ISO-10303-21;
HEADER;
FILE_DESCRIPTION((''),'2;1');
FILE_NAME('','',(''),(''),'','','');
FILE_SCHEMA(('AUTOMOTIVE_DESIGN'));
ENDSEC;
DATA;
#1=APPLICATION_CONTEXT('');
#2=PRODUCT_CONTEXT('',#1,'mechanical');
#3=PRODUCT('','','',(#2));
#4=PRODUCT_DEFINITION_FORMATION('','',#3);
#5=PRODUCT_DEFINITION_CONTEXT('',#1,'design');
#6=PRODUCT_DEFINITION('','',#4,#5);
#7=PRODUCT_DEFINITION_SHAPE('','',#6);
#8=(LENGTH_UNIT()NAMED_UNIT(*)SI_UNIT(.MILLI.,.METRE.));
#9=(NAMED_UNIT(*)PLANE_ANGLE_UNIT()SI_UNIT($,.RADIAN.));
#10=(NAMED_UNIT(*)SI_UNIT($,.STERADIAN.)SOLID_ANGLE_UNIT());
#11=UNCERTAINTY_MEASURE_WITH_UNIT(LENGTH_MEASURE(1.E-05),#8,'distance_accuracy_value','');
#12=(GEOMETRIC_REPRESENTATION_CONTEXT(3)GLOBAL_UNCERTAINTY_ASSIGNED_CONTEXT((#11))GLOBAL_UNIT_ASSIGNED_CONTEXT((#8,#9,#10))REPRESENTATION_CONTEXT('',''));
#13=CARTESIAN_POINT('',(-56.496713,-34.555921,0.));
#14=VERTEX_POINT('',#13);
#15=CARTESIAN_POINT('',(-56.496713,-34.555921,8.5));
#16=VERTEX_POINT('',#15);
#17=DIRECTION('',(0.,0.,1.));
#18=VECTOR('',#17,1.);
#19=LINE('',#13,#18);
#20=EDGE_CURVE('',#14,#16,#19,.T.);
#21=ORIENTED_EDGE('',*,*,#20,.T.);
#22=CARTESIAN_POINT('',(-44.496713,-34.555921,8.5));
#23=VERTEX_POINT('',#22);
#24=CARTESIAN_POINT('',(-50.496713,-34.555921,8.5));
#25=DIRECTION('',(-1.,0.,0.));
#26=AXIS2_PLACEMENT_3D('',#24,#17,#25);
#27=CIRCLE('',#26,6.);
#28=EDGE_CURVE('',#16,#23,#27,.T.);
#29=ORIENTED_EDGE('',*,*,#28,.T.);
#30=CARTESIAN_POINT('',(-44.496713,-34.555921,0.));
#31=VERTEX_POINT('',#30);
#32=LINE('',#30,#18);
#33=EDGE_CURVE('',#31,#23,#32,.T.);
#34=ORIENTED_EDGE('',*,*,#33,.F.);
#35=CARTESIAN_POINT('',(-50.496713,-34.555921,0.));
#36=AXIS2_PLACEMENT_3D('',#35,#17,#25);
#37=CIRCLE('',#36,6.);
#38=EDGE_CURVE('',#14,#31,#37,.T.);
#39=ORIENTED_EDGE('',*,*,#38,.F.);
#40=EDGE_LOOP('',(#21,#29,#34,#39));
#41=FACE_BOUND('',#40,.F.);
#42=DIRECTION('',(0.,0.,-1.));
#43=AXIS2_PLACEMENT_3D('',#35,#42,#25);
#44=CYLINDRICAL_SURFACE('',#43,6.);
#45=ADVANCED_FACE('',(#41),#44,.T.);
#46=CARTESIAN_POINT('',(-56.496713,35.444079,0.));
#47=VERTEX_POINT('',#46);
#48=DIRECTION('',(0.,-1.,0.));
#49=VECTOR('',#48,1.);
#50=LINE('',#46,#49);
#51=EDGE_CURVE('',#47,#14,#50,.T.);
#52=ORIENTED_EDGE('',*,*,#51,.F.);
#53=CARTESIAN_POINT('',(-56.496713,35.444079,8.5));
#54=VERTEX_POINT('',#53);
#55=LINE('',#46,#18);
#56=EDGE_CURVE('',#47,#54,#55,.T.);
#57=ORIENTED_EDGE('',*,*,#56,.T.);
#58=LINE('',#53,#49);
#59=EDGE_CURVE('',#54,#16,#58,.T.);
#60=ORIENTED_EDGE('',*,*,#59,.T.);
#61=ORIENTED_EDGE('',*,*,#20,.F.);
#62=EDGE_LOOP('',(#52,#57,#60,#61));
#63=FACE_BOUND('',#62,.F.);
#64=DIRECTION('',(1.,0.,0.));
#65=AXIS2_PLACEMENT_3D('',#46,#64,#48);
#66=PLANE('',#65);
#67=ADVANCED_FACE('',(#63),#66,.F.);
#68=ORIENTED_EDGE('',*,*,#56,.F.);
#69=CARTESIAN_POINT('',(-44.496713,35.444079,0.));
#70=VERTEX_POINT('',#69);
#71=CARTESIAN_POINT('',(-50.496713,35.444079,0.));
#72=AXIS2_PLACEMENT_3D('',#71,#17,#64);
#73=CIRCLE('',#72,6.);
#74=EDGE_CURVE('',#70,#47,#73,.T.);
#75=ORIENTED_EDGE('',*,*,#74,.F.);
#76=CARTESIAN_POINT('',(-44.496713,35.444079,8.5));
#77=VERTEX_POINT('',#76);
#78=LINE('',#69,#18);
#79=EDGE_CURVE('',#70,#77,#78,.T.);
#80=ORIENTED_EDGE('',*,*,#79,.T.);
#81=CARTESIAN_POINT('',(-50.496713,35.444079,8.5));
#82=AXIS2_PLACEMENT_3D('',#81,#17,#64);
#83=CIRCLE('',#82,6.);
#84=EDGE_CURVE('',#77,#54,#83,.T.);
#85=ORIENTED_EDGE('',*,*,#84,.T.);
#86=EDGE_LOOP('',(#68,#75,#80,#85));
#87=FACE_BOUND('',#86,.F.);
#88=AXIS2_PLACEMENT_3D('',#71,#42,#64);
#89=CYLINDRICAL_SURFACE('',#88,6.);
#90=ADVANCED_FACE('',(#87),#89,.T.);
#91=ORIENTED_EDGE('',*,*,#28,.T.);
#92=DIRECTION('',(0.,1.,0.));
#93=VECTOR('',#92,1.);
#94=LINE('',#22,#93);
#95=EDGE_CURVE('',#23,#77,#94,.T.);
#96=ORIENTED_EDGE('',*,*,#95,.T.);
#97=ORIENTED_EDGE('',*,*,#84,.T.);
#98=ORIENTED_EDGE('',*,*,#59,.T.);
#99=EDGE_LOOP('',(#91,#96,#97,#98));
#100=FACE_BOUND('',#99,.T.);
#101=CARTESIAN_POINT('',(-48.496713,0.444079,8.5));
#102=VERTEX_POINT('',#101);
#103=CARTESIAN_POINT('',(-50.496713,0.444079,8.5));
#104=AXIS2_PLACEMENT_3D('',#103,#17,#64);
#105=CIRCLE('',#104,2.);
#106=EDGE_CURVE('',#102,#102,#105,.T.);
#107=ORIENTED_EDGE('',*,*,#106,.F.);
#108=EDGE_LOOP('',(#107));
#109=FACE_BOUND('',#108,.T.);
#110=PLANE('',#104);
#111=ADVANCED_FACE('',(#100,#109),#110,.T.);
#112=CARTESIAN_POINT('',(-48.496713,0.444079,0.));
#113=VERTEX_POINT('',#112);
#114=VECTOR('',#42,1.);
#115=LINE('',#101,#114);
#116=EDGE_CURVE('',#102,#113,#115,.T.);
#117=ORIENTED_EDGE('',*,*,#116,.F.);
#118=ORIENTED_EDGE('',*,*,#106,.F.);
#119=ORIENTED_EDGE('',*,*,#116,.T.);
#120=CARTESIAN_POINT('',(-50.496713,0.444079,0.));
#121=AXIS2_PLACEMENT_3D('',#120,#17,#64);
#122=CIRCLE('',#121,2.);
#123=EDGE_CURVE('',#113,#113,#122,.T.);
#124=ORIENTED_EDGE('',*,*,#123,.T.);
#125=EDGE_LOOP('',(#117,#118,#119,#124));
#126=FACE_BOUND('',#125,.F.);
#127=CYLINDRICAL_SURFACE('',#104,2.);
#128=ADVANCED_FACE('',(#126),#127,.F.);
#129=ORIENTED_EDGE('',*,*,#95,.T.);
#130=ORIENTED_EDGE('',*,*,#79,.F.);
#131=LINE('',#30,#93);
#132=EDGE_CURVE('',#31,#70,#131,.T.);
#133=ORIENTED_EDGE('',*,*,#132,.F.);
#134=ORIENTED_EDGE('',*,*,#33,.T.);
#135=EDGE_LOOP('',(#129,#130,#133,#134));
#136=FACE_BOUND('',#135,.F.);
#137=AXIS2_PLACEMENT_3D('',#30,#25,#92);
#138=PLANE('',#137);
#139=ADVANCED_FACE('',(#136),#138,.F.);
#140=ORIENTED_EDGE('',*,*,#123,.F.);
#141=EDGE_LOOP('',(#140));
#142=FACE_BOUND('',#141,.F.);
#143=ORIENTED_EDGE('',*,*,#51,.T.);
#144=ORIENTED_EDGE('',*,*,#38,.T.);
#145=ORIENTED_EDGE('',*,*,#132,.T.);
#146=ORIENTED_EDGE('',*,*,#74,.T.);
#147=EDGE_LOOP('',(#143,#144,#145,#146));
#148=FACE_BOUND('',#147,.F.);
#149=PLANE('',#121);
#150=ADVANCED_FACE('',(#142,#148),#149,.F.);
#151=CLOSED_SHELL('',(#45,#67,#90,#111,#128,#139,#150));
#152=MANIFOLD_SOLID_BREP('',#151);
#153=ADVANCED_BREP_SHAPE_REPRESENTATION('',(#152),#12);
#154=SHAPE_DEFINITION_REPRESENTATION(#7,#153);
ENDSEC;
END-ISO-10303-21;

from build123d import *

# Parameters (mm, degrees)
F1_DEPTH = 8.5
F2_R     = 2
F3_DEPTH = 25


with BuildPart() as f1:
    # F0 (on Top) → F1 (new body)
    with BuildSketch(Plane.XY):
        with BuildLine():
            ThreePointArc((-44.496713, 35.444079), (-50.496713, 41.444079), (-56.496713, 35.444079))
            Line((-56.496713, 35.444079), (-56.496713, -34.555921))
            ThreePointArc((-56.496713, -34.555921), (-50.496713, -40.555921), (-44.496713, -34.555921))
            Line((-44.496713, -34.555921), (-44.496713, 35.444079))
        make_face()
    extrude(amount=F1_DEPTH)

    # F2 (on face) → F3 (cut)
    with BuildSketch(Plane.XY.offset(8.5)):
        with Locations((-50.496713, 0.444079)):
            Circle(F2_R)
    extrude(amount=-F3_DEPTH, mode=Mode.SUBTRACT)


solid = f1.part
